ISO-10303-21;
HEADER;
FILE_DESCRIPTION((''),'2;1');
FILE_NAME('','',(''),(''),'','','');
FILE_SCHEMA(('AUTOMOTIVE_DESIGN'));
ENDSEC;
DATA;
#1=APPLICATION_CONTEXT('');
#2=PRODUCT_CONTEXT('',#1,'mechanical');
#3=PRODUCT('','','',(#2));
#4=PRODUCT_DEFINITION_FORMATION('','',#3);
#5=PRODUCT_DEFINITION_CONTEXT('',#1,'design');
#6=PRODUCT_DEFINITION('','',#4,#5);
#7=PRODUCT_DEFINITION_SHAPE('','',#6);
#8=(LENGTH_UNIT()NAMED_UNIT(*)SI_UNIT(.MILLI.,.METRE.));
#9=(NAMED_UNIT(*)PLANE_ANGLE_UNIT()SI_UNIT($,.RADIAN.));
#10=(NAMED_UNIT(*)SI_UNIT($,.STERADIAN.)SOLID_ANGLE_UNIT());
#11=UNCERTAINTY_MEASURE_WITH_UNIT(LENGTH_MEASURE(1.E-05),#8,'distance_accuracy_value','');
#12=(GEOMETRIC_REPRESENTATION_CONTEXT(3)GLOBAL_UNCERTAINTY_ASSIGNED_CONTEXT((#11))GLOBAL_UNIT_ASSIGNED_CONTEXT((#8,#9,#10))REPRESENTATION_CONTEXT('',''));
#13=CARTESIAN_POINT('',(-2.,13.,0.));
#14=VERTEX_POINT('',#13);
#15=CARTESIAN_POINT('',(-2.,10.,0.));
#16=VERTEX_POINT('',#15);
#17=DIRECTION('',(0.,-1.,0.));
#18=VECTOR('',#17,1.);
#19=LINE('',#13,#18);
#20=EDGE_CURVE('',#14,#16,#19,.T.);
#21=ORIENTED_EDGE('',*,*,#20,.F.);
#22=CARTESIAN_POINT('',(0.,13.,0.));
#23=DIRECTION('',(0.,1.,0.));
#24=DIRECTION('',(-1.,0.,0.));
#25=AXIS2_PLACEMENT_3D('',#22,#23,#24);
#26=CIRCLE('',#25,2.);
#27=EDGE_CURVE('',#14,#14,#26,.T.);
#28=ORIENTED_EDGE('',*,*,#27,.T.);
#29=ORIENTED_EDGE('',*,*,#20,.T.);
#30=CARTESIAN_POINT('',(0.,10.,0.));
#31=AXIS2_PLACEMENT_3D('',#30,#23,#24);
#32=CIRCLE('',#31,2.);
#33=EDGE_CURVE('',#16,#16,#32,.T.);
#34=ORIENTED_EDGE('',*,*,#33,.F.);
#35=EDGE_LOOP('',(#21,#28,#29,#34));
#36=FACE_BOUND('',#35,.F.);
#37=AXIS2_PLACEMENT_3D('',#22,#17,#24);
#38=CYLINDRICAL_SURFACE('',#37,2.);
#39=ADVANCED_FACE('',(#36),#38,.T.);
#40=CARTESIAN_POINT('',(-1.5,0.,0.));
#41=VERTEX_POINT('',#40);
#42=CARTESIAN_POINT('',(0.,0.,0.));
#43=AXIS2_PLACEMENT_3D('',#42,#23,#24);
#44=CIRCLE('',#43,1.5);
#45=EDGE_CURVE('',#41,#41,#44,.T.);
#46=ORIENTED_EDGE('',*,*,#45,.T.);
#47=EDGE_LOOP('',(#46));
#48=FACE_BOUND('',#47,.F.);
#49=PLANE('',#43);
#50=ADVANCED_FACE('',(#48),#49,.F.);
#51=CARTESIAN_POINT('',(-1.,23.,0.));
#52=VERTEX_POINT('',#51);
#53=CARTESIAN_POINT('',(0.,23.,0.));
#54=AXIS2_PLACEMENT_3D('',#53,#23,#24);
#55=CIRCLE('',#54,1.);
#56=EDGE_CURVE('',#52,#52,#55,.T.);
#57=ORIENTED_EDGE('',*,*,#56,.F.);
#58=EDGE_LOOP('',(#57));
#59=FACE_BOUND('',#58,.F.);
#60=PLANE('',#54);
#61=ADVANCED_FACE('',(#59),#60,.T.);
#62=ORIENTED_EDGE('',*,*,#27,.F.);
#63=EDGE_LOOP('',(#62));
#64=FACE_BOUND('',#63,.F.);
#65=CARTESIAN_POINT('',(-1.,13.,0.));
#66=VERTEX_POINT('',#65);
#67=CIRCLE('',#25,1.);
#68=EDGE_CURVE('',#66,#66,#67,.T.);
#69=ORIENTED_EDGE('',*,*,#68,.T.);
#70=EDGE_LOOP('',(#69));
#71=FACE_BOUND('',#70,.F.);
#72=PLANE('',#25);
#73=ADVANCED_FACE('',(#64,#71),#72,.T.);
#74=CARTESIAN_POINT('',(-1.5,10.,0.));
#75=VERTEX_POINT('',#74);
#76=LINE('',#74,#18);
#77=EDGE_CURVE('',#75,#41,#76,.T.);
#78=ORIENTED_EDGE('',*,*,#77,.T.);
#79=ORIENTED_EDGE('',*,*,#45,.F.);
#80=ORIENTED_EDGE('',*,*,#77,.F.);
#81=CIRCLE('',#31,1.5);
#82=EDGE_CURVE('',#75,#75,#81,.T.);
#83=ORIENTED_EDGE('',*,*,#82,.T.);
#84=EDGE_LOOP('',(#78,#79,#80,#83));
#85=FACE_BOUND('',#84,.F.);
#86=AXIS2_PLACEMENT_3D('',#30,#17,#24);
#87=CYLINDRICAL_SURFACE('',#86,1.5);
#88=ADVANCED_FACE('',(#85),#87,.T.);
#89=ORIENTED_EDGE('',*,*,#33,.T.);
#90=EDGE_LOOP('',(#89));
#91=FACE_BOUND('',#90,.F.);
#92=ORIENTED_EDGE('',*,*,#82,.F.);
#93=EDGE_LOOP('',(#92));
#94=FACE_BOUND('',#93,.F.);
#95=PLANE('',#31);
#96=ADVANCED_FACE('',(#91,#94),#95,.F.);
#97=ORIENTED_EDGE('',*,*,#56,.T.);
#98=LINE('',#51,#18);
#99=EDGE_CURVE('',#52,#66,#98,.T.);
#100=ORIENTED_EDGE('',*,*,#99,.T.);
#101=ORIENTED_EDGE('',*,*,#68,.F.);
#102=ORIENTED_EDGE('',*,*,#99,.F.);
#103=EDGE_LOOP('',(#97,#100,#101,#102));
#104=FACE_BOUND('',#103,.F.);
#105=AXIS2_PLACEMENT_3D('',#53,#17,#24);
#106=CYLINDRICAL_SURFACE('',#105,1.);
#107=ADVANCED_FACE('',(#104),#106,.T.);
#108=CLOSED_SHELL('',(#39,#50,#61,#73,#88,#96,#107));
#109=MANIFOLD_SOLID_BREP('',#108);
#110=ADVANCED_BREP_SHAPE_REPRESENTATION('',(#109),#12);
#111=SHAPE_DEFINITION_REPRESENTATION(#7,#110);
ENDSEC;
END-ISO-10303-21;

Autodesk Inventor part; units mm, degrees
ref_plane "YZ Plane" through (0, 0, 0) normal (1, 0, 0) x (0, 1, 0)
ref_plane "XZ Plane" through (0, 0, 0) normal (0, 1, 0) x (-1, 0, 0)
ref_plane "XY Plane" through (0, 0, 0) normal (0, 0, 1) x (1, 0, 0)
sketch "Sketch1" plane through (0, 0, 0) normal (0, 0, 1) x (1, 0, 0)
  line L0 (0, 23) -> (-1, 23)
  line L1 (-1, 23) -> (-1, 13)
  line L2 (-1, 13) -> (-2, 13)
  line L3 (-2, 13) -> (-2, 10)
  line L4 (-2, 10) -> (-1.5, 10)
  line L5 (-1.5, 10) -> (-1.5, 0)
  line L6 (-1.5, 0) -> (0, 0)
  line L7 (0, 0) -> (0, 23)
  dimension "d0" = 1
  dimension "d1" = 1.5
  dimension "d2" = 2
  dimension "d3" = 10
  dimension "d4" = 10
  dimension "d5" = 3
revolve "Revolution1" add sketch "Sketch1" angle 360 about axis through (0, 0, 0) along (0, 1, 0)
thread "Thread1" size "M2x0.4" class "6g" standard "ANSI Metric M Profile" full length
properties part number "Fitting-1" material "Brass"
